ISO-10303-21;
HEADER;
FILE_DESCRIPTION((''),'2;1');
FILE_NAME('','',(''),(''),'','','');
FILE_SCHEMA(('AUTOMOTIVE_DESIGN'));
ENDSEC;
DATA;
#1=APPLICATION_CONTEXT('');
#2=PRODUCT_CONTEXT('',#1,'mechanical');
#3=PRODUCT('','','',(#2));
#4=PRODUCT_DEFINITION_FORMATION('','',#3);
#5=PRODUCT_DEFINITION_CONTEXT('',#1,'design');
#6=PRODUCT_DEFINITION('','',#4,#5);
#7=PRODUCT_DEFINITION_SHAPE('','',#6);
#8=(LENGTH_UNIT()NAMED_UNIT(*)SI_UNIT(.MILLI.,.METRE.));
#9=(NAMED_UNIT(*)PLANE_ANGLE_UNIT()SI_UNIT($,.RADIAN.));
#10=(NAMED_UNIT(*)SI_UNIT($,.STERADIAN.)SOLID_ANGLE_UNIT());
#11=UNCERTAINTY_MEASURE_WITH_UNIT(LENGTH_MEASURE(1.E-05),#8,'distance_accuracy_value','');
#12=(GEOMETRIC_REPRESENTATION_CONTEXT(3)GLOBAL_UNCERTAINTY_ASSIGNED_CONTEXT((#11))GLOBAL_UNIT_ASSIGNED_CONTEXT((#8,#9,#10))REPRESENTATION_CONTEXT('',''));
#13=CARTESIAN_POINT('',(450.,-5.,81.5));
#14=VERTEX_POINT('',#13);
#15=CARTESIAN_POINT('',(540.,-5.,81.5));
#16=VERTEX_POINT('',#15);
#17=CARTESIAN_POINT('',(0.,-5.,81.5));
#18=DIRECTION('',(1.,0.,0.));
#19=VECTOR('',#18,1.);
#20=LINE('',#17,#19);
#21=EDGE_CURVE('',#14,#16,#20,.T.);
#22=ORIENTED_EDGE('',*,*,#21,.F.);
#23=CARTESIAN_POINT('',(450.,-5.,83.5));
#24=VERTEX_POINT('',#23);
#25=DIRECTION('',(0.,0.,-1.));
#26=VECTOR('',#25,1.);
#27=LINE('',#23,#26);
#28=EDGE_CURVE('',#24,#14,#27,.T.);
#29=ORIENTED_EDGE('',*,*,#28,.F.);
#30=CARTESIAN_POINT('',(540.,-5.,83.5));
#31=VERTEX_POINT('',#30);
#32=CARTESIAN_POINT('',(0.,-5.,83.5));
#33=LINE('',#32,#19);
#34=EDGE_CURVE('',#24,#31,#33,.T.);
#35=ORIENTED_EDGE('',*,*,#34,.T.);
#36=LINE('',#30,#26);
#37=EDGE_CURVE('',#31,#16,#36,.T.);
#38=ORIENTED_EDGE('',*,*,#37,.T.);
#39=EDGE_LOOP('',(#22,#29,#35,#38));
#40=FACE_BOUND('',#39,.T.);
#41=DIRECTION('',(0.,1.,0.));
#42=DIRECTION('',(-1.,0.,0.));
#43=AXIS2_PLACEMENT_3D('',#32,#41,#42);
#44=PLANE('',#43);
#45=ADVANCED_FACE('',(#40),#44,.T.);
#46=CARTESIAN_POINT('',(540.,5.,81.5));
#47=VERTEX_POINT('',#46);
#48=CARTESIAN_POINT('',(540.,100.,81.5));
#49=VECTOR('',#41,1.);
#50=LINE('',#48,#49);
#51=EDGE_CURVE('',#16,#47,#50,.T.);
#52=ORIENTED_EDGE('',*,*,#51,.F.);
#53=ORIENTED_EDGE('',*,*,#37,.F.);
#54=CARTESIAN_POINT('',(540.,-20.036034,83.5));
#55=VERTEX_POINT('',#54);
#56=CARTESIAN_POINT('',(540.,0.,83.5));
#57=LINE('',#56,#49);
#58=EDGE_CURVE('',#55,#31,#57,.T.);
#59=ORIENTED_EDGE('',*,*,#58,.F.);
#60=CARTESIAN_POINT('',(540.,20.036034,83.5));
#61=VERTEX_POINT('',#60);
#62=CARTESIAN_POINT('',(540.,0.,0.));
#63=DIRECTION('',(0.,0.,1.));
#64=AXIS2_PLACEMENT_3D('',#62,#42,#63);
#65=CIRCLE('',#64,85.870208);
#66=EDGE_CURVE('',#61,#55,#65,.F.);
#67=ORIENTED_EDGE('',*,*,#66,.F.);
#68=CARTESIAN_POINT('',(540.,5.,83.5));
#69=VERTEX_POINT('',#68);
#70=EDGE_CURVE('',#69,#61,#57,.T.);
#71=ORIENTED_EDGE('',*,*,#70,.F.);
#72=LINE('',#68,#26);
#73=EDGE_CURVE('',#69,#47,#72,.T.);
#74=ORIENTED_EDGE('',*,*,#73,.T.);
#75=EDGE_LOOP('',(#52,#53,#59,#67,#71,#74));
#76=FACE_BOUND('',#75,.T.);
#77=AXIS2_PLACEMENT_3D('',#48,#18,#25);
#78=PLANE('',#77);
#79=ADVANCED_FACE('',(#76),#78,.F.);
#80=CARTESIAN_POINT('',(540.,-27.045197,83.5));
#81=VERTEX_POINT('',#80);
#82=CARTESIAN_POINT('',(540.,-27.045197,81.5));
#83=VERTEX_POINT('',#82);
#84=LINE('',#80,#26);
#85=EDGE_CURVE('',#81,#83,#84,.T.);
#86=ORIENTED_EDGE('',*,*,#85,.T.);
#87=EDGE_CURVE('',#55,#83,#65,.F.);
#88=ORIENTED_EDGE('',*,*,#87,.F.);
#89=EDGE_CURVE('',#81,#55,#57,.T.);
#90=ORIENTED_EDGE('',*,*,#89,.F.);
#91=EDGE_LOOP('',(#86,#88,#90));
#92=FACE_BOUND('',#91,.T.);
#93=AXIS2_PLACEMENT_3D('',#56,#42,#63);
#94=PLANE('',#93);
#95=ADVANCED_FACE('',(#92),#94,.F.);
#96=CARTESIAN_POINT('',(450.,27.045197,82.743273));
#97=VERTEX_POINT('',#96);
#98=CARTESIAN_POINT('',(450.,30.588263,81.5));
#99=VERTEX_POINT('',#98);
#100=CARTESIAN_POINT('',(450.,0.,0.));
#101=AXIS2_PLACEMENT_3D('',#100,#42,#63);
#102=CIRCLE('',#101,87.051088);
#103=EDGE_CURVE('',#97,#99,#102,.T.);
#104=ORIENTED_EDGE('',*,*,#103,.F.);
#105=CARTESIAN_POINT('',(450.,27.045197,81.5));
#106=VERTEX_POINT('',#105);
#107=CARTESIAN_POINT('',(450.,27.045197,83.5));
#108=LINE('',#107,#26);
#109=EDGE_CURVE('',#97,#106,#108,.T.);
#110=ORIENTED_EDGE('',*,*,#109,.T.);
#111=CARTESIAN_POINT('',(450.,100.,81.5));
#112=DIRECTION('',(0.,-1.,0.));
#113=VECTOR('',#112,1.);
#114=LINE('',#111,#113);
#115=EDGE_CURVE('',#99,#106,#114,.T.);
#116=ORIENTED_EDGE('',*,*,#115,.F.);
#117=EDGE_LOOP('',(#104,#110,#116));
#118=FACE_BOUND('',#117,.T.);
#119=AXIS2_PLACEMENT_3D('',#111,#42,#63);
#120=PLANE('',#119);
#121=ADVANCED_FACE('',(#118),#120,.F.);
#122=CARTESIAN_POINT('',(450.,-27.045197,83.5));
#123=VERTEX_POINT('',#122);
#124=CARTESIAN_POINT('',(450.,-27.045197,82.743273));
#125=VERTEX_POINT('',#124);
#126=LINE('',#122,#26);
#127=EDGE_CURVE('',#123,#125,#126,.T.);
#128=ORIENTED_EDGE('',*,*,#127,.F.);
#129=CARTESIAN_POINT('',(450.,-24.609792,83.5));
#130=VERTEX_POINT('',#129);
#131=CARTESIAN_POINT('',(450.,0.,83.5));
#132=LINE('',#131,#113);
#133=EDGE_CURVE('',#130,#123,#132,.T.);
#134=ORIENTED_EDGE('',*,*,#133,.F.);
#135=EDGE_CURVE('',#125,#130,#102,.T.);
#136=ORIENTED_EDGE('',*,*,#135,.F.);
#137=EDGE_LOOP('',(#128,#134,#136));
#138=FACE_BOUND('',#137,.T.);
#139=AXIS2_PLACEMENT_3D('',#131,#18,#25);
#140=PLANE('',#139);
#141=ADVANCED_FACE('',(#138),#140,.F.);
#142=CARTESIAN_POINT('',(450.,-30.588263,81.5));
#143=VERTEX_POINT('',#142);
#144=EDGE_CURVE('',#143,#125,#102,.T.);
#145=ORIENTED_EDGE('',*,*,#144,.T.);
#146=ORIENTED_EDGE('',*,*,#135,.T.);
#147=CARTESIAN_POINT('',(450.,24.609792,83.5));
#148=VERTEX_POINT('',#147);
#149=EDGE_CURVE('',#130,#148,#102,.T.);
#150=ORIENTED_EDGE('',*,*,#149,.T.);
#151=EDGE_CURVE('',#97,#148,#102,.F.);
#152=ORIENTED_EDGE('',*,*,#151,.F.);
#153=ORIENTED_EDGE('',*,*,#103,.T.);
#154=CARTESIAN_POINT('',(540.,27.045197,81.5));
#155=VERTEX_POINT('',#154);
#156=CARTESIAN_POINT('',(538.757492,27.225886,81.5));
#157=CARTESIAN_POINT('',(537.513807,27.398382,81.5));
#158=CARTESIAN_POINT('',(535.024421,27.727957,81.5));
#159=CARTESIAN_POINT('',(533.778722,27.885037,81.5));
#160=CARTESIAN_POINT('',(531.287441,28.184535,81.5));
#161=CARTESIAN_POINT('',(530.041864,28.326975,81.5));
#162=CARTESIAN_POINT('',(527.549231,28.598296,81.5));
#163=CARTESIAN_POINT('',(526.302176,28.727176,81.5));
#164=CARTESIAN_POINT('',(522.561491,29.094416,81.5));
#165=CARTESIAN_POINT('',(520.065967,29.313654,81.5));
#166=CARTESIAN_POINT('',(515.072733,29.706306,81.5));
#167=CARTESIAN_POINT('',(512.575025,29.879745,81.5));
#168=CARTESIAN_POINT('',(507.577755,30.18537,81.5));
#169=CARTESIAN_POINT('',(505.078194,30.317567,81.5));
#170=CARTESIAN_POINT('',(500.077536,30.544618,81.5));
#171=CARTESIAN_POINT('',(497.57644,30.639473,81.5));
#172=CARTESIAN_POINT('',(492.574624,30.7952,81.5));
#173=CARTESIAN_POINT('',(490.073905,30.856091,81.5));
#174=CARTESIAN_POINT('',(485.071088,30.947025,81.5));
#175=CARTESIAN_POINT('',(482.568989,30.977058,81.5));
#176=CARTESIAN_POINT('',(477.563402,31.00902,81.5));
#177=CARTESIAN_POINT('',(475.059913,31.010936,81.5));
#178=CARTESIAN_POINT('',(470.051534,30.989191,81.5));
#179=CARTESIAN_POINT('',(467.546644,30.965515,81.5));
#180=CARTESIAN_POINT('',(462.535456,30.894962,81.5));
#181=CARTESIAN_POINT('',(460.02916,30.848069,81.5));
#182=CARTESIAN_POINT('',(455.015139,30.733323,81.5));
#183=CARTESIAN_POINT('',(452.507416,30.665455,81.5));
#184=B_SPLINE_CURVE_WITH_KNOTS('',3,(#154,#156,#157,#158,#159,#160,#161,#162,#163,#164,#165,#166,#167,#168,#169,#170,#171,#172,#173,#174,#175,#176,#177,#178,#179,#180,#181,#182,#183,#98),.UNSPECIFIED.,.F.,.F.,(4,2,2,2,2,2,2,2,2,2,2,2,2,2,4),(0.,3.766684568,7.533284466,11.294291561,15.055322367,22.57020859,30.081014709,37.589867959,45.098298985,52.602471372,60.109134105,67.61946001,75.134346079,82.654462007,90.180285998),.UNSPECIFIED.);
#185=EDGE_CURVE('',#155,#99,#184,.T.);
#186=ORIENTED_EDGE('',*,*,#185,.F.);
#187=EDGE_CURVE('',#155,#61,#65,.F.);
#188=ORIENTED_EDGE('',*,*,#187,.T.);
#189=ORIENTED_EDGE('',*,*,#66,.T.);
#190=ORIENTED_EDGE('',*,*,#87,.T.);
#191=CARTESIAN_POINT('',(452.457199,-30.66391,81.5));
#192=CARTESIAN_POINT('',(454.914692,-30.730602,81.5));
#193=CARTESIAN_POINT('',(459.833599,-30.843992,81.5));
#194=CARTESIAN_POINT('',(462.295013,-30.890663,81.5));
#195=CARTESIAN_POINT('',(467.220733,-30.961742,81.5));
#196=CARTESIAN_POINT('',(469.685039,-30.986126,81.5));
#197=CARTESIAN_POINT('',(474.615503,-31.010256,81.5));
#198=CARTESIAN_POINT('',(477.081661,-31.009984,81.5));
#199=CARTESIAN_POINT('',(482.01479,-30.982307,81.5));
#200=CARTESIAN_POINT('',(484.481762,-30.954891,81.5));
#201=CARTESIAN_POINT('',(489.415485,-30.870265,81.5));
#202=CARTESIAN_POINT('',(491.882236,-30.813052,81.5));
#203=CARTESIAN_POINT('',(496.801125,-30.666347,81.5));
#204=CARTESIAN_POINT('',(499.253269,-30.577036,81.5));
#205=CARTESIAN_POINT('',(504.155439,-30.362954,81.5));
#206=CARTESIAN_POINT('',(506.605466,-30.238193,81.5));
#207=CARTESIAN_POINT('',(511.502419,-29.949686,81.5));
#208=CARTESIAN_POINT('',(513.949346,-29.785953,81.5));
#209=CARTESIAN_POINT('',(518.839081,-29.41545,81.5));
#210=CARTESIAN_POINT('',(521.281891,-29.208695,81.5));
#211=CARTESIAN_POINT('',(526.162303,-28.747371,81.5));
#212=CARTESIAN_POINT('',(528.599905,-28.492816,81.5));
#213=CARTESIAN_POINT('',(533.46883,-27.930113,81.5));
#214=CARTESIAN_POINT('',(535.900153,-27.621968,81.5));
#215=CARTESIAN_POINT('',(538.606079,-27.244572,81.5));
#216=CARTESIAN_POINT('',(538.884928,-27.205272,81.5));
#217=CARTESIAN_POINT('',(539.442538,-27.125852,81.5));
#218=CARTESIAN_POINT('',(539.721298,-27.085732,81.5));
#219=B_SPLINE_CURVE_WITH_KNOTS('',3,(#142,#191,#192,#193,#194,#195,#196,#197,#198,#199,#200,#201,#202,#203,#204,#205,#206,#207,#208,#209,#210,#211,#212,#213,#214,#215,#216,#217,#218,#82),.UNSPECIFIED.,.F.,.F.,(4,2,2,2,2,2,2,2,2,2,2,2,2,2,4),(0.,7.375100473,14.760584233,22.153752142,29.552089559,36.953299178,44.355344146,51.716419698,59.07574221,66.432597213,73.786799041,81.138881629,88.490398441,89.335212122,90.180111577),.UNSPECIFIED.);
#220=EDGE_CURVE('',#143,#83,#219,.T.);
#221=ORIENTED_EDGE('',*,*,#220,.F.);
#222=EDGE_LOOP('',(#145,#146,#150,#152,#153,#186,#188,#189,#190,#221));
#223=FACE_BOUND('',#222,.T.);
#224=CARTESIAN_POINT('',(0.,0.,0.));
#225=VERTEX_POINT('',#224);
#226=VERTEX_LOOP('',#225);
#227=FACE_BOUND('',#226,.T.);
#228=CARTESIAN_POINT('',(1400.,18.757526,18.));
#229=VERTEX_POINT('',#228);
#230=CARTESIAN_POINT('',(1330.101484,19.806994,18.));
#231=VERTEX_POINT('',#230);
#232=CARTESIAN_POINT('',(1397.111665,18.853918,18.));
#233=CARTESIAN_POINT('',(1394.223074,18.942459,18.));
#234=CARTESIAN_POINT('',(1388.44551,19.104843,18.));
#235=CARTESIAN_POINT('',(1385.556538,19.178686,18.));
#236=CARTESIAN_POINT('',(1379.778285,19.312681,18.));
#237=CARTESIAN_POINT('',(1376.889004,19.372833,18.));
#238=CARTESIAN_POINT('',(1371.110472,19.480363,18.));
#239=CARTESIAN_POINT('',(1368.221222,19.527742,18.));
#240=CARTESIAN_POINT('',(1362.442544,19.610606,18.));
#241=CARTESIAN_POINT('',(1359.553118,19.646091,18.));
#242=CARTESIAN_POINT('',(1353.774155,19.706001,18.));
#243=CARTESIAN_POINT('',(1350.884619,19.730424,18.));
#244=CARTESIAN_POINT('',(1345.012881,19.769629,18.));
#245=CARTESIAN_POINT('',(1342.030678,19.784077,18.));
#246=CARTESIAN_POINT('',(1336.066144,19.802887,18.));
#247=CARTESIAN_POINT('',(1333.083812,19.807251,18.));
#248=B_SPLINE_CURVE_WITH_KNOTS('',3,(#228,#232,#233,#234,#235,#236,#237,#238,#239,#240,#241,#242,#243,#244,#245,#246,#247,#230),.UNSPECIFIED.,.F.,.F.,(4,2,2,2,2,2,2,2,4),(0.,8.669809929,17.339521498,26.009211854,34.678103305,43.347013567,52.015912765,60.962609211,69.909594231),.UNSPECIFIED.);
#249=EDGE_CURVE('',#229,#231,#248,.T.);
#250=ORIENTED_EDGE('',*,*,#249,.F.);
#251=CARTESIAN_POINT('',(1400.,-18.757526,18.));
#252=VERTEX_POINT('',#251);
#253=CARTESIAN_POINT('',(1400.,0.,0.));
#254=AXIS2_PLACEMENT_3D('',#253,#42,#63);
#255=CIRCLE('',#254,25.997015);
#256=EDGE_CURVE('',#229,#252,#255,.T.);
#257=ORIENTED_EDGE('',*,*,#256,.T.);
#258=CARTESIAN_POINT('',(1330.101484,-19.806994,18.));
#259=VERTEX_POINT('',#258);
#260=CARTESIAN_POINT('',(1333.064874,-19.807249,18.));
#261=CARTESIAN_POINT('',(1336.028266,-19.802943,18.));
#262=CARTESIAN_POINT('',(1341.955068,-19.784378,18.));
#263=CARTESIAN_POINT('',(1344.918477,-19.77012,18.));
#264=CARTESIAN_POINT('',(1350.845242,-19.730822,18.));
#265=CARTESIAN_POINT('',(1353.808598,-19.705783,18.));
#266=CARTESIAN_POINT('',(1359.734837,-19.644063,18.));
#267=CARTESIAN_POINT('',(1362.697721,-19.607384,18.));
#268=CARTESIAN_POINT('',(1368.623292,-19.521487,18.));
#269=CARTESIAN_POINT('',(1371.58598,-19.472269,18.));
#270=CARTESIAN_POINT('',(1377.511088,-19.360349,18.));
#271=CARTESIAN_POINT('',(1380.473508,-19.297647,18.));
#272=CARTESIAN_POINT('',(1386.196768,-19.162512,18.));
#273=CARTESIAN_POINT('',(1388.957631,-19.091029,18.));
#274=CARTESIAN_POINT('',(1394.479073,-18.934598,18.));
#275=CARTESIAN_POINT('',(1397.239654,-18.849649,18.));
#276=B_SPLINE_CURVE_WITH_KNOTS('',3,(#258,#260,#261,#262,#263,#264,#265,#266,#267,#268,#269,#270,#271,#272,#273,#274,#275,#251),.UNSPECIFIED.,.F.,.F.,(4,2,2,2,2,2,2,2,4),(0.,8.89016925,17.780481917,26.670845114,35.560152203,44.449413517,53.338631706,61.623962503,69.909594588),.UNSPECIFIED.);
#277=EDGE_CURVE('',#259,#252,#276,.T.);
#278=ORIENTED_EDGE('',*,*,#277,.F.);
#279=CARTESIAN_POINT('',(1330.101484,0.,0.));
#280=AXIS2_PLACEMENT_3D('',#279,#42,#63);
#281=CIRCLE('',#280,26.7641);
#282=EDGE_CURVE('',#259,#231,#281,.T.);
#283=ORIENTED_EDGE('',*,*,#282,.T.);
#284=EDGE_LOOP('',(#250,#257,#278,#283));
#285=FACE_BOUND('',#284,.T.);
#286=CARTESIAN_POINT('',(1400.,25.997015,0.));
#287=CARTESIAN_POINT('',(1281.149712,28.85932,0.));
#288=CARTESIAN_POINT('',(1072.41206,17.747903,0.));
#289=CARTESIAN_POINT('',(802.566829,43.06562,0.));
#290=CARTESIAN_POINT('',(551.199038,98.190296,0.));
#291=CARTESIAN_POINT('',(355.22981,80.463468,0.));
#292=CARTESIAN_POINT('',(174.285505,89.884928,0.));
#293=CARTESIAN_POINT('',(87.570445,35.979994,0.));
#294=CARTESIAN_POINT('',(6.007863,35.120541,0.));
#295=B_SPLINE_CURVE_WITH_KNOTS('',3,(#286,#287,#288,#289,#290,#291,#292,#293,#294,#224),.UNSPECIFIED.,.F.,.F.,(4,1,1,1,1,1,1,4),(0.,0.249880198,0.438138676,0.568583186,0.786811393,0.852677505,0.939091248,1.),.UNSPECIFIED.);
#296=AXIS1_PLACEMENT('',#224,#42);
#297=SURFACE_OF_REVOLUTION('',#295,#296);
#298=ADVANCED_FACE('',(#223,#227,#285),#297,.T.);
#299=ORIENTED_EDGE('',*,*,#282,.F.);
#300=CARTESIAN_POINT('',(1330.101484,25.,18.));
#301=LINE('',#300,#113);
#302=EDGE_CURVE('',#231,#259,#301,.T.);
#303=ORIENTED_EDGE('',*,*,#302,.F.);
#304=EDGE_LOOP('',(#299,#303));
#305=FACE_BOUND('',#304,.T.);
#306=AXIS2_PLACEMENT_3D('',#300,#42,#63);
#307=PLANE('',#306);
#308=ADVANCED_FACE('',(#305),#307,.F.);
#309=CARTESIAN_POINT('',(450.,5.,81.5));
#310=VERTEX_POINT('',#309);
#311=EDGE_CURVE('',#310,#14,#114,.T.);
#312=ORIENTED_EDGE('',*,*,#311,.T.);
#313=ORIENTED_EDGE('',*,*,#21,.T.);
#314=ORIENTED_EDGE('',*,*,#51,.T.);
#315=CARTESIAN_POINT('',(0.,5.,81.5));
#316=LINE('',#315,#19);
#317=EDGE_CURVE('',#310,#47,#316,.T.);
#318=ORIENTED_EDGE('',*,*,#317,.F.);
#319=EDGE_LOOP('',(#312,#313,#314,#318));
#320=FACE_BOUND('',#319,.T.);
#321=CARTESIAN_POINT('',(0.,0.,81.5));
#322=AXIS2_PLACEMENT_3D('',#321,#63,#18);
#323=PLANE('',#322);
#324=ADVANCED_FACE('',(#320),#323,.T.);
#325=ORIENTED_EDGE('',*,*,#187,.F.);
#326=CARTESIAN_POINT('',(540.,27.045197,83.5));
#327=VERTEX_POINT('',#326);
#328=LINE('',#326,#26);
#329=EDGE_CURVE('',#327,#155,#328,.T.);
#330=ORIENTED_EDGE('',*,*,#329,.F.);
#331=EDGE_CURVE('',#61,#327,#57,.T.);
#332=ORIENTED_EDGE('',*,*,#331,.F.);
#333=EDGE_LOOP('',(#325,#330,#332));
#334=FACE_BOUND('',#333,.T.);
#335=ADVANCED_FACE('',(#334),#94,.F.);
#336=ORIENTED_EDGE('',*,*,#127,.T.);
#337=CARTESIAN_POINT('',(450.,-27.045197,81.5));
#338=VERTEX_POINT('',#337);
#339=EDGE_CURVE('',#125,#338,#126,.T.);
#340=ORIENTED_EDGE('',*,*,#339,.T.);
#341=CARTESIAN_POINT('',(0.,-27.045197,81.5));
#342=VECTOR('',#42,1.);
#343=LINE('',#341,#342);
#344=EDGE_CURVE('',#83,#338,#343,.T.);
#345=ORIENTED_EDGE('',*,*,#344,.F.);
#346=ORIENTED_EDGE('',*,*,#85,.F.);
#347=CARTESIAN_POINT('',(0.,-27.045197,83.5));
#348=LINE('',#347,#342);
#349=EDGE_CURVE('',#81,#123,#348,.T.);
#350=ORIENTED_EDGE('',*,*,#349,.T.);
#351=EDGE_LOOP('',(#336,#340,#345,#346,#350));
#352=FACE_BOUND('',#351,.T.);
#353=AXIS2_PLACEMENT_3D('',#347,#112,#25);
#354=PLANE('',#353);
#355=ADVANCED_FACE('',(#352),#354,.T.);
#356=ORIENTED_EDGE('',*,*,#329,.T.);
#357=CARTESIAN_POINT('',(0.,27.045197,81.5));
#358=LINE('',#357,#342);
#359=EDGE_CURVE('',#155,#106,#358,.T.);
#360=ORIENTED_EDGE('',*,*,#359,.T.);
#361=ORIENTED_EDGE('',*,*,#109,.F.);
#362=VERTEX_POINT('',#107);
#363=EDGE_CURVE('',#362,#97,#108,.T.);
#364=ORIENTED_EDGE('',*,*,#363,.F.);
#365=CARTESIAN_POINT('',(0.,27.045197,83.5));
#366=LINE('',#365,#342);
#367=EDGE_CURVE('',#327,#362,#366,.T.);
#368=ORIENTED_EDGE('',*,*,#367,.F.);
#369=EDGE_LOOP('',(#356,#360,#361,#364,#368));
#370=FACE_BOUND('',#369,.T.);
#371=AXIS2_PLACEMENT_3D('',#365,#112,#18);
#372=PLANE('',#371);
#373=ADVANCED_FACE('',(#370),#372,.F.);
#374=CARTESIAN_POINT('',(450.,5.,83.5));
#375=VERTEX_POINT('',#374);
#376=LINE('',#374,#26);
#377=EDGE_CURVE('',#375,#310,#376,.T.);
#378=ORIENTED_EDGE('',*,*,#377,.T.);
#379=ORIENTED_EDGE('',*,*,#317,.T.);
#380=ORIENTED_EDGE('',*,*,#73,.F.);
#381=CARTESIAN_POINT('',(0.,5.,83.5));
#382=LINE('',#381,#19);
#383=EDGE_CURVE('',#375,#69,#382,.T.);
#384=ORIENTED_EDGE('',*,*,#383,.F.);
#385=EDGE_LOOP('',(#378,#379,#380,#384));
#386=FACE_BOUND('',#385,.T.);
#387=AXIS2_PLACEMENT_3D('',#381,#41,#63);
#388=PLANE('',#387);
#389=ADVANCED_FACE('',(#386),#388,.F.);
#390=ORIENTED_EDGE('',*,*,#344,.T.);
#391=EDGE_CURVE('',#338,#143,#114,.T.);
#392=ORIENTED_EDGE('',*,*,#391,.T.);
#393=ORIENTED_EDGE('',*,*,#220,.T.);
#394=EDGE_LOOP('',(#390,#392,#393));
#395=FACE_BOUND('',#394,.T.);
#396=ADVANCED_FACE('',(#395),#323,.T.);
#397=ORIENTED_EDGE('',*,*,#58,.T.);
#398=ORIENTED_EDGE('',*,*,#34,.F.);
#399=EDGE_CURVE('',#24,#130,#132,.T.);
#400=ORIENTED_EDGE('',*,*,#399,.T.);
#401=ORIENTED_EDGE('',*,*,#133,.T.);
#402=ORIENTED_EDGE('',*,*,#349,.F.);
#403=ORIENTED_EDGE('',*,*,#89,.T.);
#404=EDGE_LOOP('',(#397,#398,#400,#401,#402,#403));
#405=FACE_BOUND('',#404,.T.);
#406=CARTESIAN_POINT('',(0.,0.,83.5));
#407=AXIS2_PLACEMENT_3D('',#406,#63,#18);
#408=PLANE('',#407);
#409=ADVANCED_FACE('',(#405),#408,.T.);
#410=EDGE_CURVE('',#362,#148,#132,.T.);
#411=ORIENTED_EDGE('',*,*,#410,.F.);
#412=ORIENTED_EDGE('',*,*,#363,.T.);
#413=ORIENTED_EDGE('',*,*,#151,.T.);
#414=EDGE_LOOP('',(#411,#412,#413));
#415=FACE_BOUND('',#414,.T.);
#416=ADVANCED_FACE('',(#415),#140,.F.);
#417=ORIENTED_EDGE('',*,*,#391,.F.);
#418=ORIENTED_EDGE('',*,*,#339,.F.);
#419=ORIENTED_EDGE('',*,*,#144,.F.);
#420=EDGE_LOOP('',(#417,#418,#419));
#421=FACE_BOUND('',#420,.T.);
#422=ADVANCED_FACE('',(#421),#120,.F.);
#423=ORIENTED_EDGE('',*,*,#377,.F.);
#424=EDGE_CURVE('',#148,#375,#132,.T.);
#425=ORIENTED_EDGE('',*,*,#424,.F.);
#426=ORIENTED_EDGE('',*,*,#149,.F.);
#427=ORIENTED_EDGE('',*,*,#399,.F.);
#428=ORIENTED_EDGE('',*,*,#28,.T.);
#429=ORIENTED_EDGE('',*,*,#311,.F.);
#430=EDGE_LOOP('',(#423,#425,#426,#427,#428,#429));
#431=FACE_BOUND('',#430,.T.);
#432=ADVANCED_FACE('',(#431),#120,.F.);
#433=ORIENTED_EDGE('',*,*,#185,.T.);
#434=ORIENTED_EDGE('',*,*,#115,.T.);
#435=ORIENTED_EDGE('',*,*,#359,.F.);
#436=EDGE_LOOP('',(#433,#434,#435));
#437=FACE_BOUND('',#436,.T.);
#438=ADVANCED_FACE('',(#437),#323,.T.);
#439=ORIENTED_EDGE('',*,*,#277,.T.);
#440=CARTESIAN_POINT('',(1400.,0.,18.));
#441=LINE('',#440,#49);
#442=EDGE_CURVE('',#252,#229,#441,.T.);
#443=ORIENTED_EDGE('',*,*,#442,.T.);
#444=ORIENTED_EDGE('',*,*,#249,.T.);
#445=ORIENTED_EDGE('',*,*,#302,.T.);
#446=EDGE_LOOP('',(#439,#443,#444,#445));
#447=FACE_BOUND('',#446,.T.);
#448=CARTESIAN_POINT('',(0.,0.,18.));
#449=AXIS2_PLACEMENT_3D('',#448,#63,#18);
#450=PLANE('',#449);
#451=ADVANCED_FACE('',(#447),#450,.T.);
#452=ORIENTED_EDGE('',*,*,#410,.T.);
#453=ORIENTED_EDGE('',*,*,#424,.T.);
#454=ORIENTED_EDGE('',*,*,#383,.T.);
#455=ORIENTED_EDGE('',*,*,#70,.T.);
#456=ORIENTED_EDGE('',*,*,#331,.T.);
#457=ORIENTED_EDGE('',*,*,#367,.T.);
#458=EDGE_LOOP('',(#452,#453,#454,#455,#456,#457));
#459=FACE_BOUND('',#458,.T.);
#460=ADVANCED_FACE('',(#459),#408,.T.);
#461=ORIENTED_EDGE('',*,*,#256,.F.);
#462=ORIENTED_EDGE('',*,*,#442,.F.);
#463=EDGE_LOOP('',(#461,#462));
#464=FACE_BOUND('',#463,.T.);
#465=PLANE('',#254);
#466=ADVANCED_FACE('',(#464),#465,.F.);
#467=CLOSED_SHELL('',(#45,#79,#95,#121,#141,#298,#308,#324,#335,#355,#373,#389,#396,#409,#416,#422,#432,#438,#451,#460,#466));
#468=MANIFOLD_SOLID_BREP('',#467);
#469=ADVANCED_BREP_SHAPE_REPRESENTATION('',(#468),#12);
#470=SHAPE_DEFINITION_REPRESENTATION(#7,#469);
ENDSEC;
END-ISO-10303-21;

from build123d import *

# Parameters (mm, degrees)
SKETCH7_W           = 70
SKETCH7_H           = 50
CUT_EXTRUDE3_DEPTH  = 70
SKETCH5_W           = 90
SKETCH5_H           = 200
CUT_EXTRUDE4_DEPTH  = 6.5
SKETCH8_W           = 90
SKETCH8_H           = 22.045196906
BOSS_EXTRUDE1_DEPTH = 2


with BuildPart() as part:
    # Sketch1 → Revolve2 (revolve)
    with BuildSketch(Plane.XY):
        with BuildLine():
            Line((0, 0), (1400, 0))
            Line((1400, 0), (1400, 25.997014576))
            add(Edge.make_bspline(
                [(0, 0), (6.007862839, 35.12054136), (87.570445438, 35.979993634), (174.285504865, 89.884927882), (355.229810131, 80.463468301), (551.199038272, 98.190296267), (802.566829119, 43.065619564), (1072.41205954, 17.747902618), (1281.149711777, 28.859320036), (1400, 25.997014576)],
                knots=[0, 0, 0, 0, 0.060908752, 0.147322495, 0.213188607, 0.431416814, 0.561861324, 0.750119802, 1, 1, 1, 1], degree=3))
        make_face()
    revolve(axis=Axis((0, 0, 0), (1, 0, 0)))

    # Sketch7 → Cut-Extrude3 (cut)
    with BuildSketch(Plane.XY.offset(88)):
        with Locations((1365.10148425, 0)):
            Rectangle(SKETCH7_W, SKETCH7_H)
    extrude(amount=-CUT_EXTRUDE3_DEPTH, mode=Mode.SUBTRACT)

    # Sketch5 → Cut-Extrude4 (cut)
    with BuildSketch(Plane.XY.offset(88)):
        with Locations((495, 0)):
            Rectangle(SKETCH5_W, SKETCH5_H)
    extrude(amount=-CUT_EXTRUDE4_DEPTH, mode=Mode.SUBTRACT)

    # Sketch8 → Boss-Extrude1 (add)
    with BuildSketch(Plane.XY.offset(81.5)):
        with Locations((495, 16.022598453)):
            Rectangle(SKETCH8_W, SKETCH8_H)
        with Locations((495, -16.022598453)):
            Rectangle(SKETCH8_W, SKETCH8_H)
    extrude(amount=BOSS_EXTRUDE1_DEPTH)


solid = part.part
